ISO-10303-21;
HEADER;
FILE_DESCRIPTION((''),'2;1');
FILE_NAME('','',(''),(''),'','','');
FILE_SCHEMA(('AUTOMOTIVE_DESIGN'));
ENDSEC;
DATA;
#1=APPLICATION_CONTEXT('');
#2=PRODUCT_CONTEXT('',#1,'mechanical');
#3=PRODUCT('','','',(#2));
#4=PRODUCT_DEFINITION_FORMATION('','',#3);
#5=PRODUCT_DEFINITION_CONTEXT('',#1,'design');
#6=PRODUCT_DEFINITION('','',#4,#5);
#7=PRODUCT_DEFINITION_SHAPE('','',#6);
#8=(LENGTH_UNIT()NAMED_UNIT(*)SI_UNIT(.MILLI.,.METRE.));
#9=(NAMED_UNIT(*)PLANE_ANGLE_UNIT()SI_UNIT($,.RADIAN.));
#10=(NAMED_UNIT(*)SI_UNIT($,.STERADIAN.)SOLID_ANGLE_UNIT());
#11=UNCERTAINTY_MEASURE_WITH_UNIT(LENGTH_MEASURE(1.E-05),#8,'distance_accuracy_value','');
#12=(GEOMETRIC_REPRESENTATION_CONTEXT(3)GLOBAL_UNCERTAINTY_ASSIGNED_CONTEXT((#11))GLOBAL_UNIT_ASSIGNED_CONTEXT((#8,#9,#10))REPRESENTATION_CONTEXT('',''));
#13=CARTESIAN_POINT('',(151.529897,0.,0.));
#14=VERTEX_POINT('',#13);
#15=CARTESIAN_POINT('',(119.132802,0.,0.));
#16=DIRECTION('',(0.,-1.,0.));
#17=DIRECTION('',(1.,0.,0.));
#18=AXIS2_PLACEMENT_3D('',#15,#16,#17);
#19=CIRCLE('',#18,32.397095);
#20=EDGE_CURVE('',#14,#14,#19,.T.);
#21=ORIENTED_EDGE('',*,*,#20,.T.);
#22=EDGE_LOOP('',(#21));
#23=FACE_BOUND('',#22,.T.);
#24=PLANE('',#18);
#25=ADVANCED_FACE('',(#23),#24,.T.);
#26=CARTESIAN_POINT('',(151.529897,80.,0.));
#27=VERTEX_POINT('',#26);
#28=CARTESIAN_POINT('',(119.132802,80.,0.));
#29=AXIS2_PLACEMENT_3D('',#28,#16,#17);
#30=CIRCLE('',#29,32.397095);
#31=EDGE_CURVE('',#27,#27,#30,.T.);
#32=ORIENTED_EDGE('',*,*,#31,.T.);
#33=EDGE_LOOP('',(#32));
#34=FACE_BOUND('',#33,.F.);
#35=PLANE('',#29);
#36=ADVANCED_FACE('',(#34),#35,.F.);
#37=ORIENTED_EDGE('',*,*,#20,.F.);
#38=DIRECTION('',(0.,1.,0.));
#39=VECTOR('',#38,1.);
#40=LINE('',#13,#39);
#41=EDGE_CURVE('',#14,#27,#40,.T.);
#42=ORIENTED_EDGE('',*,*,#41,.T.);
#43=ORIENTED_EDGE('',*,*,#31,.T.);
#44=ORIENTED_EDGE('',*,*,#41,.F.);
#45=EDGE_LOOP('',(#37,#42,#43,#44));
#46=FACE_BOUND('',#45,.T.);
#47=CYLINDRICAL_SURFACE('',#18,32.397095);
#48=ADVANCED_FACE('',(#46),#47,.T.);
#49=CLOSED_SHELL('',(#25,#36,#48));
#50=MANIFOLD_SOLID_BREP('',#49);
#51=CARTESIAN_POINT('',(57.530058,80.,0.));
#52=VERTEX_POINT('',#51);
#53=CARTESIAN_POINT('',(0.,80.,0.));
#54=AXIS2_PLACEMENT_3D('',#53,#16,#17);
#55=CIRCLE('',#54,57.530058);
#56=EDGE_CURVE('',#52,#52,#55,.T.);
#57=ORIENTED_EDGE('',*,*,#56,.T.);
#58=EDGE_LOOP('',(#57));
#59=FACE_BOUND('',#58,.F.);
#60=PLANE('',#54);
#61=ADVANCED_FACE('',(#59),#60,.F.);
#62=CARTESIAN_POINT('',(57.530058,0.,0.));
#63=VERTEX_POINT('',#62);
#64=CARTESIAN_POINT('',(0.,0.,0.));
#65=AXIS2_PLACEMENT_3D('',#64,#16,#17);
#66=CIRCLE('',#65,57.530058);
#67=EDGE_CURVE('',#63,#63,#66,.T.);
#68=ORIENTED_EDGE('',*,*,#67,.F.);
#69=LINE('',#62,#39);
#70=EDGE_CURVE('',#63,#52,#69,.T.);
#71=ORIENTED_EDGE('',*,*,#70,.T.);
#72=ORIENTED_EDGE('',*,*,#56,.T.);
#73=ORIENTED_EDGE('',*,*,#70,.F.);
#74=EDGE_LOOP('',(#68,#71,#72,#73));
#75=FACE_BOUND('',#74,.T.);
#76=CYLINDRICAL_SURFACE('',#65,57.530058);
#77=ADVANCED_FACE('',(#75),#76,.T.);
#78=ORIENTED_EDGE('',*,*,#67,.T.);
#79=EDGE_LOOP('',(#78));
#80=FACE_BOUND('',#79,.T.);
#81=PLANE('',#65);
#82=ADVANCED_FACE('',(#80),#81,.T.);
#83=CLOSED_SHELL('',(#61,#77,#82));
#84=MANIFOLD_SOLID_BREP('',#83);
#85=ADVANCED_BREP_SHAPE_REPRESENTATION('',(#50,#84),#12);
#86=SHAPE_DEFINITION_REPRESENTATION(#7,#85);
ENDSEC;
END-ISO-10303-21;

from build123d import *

# Parameters (mm, degrees)
F0_R     = 57.530058
F0_R_2   = 32.397095
F1_DEPTH = 80


with BuildPart() as f1:
    # F0 (on Front) → F1 (new body)
    with BuildSketch(Plane.XZ):
        Circle(F0_R)
        with Locations((119.132802, 0)):
            Circle(F0_R_2)
    extrude(amount=-F1_DEPTH)


solid = f1.part
